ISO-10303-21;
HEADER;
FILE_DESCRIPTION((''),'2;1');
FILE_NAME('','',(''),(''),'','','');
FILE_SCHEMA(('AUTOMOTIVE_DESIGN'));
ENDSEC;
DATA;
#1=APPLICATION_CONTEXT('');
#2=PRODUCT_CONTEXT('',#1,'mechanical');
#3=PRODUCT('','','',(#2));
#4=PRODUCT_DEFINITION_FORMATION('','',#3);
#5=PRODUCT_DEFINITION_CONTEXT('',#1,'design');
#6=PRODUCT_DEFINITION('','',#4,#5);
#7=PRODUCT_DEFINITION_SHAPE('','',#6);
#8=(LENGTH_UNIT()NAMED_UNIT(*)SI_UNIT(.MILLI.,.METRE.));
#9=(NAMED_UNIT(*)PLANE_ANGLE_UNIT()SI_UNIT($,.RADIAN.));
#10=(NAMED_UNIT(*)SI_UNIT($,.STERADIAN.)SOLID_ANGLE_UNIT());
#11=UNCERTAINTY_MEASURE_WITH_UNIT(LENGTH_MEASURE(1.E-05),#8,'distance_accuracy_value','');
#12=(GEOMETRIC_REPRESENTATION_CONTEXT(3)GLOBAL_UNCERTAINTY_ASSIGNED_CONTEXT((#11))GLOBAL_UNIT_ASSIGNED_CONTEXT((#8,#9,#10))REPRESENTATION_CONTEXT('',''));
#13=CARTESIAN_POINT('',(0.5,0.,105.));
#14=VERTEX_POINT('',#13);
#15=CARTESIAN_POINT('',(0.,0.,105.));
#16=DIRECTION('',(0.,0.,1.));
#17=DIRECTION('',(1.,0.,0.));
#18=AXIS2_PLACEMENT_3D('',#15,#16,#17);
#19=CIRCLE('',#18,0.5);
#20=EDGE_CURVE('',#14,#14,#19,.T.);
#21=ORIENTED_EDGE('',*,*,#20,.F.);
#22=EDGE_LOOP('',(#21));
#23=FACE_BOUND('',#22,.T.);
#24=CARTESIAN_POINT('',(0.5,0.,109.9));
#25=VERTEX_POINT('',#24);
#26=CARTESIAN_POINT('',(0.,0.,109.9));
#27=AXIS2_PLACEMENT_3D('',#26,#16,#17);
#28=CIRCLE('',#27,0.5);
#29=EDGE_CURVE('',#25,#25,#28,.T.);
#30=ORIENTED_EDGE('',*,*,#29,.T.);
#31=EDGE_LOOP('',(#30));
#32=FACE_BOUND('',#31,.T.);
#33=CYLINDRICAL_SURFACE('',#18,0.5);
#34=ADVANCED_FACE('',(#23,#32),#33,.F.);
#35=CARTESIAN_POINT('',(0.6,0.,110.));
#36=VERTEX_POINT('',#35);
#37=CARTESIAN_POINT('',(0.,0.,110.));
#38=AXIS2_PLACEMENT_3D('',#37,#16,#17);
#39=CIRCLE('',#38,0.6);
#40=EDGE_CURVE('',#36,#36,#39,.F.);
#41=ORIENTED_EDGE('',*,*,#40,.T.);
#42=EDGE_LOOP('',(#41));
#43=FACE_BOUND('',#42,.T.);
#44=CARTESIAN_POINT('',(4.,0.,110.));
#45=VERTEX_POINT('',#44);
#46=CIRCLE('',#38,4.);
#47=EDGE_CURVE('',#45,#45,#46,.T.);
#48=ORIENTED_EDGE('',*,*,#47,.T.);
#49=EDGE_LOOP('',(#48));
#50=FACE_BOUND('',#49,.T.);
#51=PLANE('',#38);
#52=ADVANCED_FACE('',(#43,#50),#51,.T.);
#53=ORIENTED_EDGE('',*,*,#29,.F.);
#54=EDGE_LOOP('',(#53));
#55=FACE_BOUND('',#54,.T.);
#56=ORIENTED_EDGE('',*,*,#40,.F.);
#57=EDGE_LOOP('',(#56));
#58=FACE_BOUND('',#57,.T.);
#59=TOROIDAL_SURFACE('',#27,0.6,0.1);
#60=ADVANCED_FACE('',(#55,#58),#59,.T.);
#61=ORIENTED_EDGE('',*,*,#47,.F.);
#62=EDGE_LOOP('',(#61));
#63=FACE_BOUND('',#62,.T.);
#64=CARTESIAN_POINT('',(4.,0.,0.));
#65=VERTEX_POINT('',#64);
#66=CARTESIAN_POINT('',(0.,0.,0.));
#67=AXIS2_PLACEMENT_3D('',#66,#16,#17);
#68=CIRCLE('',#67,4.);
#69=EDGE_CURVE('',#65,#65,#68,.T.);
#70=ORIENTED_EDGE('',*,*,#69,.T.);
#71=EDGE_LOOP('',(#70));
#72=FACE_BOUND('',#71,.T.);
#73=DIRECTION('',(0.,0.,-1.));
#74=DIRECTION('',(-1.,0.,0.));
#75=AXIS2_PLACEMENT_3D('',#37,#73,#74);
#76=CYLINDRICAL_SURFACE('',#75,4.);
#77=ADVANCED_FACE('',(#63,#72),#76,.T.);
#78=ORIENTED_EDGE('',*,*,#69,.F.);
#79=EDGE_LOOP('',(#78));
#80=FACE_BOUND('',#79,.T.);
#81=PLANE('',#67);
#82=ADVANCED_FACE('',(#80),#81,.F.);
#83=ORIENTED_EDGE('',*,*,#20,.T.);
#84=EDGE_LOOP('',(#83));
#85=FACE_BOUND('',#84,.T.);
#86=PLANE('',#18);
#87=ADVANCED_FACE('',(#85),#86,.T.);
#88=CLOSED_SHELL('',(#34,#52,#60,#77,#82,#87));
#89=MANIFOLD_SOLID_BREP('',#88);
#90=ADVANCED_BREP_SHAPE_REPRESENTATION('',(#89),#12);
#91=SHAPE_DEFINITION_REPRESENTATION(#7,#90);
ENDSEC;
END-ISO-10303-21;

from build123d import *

# Parameters (mm, degrees)
IZIM1_R                     = 4
Y_KSEKLIK_EKSTR_ZYON1_DEPTH = 110
IZIM2_R                     = 0.5
KES_EKSTR_ZYON1_DEPTH       = 5
RADYUS1_R                   = 0.1


with BuildPart() as part:
    # Çizim1 → Yükseklik-Ekstrüzyon1 (new body)
    with BuildSketch(Plane.XY):
        Circle(IZIM1_R)
    extrude(amount=Y_KSEKLIK_EKSTR_ZYON1_DEPTH)

    # Çizim2 → Kes-Ekstrüzyon1 (cut)
    with BuildSketch(Plane.XY.offset(110)):
        Circle(IZIM2_R)
    extrude(amount=-KES_EKSTR_ZYON1_DEPTH, mode=Mode.SUBTRACT)

    # Radyus1
    radyus1_edges = [part.edges().sort_by_distance(p)[0] for p in [
        (-0.5, 0, 110),
    ]]
    fillet(radyus1_edges, radius=RADYUS1_R)


solid = part.part
